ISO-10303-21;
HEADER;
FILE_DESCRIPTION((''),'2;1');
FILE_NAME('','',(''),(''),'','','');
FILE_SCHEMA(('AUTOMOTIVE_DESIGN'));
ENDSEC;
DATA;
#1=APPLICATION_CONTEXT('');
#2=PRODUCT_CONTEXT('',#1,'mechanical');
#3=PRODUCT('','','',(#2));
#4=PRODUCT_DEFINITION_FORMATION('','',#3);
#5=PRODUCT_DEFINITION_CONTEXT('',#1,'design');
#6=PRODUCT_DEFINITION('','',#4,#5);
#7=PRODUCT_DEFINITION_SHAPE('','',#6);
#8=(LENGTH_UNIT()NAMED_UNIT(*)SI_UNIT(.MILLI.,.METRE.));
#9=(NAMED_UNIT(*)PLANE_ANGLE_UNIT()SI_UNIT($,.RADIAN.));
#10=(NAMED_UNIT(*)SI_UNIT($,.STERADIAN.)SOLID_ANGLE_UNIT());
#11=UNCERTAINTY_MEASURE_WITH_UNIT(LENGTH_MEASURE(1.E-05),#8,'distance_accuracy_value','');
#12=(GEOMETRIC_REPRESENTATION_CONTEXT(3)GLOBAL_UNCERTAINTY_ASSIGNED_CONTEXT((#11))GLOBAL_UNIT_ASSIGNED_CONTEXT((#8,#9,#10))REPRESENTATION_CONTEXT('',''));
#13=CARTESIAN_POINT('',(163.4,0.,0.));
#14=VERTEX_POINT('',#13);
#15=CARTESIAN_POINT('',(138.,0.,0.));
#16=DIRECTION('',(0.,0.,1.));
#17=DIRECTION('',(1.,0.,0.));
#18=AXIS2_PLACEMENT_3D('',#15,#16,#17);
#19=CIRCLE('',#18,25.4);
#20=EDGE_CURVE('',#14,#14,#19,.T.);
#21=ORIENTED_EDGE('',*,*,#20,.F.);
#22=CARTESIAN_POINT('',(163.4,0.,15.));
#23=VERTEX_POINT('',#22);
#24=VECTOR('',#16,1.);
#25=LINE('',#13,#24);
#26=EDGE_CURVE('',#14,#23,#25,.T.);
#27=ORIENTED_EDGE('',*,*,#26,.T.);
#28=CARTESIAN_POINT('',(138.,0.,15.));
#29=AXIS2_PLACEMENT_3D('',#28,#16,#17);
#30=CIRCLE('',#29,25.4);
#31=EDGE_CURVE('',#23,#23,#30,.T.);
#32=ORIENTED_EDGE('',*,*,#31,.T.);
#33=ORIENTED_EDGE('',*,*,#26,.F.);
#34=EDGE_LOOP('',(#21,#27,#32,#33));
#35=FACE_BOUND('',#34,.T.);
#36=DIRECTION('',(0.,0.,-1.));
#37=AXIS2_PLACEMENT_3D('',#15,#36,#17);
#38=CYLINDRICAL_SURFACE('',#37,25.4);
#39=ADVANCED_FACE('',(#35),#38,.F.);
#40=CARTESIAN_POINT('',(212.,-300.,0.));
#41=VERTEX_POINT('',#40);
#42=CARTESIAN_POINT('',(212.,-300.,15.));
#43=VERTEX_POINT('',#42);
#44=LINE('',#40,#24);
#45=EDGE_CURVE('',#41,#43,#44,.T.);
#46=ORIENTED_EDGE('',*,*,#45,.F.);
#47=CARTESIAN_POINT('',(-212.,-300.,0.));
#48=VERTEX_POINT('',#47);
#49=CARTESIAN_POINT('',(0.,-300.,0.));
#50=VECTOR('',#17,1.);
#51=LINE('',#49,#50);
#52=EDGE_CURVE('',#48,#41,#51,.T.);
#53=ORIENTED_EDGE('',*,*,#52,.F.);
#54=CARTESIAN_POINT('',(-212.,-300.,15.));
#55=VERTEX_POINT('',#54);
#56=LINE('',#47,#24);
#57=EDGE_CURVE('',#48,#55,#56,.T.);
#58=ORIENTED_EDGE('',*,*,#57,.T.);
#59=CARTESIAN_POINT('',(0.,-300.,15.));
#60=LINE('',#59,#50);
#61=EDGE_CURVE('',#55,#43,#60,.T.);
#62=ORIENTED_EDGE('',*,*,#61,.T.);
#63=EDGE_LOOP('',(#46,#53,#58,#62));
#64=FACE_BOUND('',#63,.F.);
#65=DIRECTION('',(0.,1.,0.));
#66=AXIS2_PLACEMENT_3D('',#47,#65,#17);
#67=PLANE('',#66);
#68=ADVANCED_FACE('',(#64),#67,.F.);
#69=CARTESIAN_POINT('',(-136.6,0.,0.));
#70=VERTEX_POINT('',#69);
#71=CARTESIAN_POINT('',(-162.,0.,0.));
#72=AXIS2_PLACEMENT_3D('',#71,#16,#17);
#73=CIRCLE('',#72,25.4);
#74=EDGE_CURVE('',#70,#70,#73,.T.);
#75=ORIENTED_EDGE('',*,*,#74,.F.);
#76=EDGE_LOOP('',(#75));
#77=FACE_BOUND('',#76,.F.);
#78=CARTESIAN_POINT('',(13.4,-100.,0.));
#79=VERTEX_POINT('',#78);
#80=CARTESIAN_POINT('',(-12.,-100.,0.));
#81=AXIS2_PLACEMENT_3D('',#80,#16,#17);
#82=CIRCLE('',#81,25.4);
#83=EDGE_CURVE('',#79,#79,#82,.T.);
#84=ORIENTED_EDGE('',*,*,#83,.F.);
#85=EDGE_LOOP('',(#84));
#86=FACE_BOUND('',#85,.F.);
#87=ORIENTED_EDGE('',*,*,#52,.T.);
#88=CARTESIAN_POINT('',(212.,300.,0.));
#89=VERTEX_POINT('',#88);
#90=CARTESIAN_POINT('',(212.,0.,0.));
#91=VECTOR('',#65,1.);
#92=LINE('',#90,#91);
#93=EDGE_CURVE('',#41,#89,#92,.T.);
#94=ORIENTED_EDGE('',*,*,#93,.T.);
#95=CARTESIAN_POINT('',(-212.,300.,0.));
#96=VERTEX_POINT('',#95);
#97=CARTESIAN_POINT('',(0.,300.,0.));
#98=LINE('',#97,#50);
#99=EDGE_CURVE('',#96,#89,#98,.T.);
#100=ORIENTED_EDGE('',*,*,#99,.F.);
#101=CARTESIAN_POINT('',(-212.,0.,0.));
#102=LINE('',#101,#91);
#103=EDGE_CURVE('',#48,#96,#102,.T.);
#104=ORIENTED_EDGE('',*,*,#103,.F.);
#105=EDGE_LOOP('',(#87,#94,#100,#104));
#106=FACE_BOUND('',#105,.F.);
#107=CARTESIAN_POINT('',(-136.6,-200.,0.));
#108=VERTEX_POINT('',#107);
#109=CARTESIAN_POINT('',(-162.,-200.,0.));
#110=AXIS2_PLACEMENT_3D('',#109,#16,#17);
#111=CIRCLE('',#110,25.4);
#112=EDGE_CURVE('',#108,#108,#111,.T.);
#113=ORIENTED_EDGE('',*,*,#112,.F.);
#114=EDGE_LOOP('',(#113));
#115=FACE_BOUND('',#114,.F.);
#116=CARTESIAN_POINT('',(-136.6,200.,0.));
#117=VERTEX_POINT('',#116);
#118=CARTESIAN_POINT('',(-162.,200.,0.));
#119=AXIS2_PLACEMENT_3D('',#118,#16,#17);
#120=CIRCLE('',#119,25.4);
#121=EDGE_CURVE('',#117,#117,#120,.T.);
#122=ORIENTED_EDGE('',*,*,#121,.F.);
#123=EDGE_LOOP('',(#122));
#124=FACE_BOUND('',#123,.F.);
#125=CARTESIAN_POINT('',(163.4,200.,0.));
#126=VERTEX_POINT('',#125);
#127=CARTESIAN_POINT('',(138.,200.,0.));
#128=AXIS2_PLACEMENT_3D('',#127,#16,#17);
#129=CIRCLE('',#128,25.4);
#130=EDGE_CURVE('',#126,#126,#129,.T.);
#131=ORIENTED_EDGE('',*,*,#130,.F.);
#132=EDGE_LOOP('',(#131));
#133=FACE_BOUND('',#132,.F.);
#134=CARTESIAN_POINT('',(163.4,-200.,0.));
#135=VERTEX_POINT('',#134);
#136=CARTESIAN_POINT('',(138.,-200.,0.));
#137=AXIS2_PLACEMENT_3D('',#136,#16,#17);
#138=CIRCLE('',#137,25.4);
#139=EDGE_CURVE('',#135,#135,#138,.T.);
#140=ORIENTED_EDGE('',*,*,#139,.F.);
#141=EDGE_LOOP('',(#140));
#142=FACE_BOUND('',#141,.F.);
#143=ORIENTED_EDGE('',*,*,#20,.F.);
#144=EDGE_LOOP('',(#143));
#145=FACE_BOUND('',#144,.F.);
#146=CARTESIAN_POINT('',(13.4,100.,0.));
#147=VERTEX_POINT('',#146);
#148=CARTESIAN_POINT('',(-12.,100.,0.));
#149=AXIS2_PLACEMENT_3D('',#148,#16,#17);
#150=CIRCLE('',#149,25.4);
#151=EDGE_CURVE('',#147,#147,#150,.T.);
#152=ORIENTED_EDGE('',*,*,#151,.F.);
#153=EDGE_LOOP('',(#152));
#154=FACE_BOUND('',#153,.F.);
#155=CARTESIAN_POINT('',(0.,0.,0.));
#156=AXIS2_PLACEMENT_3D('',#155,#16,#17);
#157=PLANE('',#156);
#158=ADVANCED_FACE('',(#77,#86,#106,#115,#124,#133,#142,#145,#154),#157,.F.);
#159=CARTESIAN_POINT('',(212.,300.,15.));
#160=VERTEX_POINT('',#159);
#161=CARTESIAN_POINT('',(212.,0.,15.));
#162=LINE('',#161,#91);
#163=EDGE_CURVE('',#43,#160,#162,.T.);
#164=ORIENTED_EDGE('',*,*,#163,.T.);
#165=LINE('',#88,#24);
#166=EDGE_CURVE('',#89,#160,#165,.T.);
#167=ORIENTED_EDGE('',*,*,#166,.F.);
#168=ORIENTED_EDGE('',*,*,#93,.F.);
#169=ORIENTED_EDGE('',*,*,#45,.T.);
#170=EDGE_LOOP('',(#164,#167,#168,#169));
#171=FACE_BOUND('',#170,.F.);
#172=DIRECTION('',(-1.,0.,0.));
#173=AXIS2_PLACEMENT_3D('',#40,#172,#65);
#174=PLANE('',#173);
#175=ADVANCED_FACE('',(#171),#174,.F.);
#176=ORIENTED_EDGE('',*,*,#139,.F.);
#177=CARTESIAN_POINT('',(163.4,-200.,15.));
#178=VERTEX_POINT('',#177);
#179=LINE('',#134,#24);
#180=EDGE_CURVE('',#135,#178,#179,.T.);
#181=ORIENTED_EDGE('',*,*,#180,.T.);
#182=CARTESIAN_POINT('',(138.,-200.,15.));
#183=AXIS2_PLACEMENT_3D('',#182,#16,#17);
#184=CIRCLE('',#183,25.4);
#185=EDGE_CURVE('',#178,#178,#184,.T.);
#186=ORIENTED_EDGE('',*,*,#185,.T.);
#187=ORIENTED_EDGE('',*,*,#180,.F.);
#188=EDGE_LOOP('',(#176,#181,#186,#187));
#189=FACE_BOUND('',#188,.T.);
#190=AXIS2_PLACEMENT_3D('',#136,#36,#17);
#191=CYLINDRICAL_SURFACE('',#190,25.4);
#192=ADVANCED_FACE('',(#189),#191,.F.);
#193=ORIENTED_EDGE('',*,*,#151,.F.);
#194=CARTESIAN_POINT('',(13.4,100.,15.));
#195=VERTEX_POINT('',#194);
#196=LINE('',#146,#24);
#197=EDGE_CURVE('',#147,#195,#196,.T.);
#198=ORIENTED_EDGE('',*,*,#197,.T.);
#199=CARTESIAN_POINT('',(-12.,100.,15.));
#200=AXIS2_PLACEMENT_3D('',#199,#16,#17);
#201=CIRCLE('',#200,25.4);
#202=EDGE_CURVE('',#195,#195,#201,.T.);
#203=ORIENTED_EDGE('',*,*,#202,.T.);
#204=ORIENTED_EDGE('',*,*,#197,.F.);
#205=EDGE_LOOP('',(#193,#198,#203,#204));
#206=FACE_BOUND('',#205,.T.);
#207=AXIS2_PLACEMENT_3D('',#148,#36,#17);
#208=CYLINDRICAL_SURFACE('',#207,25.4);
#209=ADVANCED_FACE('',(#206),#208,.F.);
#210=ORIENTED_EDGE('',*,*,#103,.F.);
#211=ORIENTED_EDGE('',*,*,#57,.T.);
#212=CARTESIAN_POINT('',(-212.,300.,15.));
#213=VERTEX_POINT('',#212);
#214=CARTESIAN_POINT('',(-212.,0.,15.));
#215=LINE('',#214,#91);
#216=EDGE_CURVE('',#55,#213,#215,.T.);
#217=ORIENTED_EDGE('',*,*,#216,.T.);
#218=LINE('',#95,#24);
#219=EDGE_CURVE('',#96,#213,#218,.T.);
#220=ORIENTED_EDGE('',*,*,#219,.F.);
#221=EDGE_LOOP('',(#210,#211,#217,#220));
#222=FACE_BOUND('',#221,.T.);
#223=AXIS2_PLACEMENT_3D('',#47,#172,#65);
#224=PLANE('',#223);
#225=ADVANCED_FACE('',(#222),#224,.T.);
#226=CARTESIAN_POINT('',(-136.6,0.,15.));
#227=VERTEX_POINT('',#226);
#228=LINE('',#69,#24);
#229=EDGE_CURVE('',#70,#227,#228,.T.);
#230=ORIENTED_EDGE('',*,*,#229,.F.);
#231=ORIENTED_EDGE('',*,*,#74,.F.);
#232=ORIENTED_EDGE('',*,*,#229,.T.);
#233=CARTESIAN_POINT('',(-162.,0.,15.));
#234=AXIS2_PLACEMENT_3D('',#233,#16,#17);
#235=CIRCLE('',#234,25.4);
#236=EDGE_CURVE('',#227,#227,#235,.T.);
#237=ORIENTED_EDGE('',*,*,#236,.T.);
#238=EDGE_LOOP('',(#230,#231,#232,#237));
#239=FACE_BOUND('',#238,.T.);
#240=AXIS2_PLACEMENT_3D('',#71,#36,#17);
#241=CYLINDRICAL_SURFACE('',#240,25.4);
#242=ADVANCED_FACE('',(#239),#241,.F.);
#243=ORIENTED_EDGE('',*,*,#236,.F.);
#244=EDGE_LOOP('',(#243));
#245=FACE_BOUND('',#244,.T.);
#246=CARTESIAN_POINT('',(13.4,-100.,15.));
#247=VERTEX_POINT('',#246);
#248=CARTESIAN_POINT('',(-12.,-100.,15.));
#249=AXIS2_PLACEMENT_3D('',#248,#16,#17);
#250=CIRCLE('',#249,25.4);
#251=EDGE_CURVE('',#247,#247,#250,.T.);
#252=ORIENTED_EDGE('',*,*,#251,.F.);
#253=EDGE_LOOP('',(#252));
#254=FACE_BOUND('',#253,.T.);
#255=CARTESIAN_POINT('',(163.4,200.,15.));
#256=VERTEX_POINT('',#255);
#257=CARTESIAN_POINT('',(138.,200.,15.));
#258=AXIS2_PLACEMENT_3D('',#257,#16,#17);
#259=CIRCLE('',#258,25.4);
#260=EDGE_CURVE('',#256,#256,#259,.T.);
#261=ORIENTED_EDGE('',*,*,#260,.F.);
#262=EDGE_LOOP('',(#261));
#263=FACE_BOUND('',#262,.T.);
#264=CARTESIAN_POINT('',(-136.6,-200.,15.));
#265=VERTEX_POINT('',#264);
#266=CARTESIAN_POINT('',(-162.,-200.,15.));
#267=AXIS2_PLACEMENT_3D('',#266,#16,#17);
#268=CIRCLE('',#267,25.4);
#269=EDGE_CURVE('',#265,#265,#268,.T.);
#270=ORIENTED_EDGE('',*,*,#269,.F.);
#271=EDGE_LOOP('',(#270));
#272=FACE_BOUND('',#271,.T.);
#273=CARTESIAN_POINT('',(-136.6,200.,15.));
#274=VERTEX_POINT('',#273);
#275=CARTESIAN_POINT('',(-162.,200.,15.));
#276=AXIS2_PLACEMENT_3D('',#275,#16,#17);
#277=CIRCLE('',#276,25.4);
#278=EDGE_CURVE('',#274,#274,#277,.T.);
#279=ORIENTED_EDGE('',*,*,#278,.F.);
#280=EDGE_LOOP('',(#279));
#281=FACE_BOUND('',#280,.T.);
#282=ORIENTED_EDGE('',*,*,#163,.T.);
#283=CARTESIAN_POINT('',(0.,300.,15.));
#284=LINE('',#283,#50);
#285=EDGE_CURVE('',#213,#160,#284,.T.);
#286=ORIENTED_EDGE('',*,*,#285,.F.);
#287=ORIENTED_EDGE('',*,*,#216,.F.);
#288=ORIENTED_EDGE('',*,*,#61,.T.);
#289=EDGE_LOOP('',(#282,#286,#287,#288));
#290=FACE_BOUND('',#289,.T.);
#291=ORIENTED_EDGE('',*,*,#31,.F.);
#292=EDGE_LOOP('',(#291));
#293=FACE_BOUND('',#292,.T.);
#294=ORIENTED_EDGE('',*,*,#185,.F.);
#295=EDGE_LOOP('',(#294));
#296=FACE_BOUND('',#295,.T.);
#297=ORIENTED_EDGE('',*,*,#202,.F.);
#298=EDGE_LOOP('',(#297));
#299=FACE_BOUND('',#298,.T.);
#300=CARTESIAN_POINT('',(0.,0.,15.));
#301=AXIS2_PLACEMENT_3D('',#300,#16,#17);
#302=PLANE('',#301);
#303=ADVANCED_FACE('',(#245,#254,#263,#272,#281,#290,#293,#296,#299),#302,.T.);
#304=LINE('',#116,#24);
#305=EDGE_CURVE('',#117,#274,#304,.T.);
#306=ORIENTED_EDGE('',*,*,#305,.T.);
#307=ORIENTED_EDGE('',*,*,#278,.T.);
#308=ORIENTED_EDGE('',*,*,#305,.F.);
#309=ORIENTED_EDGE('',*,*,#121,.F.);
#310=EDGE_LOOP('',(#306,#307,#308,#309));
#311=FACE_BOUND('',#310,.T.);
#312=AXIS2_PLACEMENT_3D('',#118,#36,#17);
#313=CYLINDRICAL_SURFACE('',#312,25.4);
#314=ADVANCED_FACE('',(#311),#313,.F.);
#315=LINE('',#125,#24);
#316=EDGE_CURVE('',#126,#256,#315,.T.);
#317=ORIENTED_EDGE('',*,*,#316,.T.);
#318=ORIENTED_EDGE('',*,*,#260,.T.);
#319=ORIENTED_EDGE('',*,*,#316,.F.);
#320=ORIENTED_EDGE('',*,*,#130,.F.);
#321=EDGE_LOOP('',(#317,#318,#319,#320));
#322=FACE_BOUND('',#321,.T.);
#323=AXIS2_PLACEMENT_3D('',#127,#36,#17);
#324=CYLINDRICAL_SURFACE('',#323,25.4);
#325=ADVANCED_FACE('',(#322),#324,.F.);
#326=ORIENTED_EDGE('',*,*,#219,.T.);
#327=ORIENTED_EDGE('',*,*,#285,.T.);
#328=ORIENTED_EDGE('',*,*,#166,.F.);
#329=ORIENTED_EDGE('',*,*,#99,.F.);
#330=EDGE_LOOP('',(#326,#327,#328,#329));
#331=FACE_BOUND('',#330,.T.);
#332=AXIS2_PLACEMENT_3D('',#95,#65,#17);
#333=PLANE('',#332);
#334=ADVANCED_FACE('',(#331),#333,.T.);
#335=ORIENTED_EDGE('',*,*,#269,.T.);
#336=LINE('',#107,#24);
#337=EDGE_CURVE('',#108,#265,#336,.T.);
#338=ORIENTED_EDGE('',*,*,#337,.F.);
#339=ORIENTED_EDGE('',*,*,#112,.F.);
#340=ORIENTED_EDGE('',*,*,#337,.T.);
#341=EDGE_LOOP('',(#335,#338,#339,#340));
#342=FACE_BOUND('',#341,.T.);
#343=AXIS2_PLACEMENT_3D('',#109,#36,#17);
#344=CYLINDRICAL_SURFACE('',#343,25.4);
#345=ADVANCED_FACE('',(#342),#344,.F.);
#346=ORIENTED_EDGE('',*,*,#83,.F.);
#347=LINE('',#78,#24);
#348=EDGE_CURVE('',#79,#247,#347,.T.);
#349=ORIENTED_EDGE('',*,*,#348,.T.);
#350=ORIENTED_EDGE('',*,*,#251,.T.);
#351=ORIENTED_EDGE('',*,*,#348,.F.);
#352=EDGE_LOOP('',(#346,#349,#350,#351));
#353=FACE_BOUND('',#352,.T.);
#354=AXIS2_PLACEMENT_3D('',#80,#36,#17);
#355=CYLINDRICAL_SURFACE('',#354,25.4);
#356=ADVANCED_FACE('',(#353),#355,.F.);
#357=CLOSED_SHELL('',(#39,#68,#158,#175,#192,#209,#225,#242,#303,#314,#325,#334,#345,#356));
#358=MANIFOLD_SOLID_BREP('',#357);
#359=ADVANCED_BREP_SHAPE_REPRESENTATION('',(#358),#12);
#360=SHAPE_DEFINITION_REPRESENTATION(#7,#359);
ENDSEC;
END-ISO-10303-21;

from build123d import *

# Parameters (mm, degrees)
F0_W     = 424
F0_H     = 600
F0_R     = 25.4
F1_DEPTH = 15


with BuildPart() as f1:
    # F0 (on Top) → F1 (new body)
    with BuildSketch(Plane.XY):
        Rectangle(F0_W, F0_H)
        with Locations((-162, -200)):
            Circle(F0_R, mode=Mode.SUBTRACT)
        with Locations((-12, -100)):
            Circle(F0_R, mode=Mode.SUBTRACT)
        with Locations((138, -200)):
            Circle(F0_R, mode=Mode.SUBTRACT)
        with Locations((-162, 0)):
            Circle(F0_R, mode=Mode.SUBTRACT)
        with Locations((-12, 100)):
            Circle(F0_R, mode=Mode.SUBTRACT)
        with Locations((-162, 200)):
            Circle(F0_R, mode=Mode.SUBTRACT)
        with Locations((138, 0)):
            Circle(F0_R, mode=Mode.SUBTRACT)
        with Locations((138, 200)):
            Circle(F0_R, mode=Mode.SUBTRACT)
    extrude(amount=F1_DEPTH)


solid = f1.part
